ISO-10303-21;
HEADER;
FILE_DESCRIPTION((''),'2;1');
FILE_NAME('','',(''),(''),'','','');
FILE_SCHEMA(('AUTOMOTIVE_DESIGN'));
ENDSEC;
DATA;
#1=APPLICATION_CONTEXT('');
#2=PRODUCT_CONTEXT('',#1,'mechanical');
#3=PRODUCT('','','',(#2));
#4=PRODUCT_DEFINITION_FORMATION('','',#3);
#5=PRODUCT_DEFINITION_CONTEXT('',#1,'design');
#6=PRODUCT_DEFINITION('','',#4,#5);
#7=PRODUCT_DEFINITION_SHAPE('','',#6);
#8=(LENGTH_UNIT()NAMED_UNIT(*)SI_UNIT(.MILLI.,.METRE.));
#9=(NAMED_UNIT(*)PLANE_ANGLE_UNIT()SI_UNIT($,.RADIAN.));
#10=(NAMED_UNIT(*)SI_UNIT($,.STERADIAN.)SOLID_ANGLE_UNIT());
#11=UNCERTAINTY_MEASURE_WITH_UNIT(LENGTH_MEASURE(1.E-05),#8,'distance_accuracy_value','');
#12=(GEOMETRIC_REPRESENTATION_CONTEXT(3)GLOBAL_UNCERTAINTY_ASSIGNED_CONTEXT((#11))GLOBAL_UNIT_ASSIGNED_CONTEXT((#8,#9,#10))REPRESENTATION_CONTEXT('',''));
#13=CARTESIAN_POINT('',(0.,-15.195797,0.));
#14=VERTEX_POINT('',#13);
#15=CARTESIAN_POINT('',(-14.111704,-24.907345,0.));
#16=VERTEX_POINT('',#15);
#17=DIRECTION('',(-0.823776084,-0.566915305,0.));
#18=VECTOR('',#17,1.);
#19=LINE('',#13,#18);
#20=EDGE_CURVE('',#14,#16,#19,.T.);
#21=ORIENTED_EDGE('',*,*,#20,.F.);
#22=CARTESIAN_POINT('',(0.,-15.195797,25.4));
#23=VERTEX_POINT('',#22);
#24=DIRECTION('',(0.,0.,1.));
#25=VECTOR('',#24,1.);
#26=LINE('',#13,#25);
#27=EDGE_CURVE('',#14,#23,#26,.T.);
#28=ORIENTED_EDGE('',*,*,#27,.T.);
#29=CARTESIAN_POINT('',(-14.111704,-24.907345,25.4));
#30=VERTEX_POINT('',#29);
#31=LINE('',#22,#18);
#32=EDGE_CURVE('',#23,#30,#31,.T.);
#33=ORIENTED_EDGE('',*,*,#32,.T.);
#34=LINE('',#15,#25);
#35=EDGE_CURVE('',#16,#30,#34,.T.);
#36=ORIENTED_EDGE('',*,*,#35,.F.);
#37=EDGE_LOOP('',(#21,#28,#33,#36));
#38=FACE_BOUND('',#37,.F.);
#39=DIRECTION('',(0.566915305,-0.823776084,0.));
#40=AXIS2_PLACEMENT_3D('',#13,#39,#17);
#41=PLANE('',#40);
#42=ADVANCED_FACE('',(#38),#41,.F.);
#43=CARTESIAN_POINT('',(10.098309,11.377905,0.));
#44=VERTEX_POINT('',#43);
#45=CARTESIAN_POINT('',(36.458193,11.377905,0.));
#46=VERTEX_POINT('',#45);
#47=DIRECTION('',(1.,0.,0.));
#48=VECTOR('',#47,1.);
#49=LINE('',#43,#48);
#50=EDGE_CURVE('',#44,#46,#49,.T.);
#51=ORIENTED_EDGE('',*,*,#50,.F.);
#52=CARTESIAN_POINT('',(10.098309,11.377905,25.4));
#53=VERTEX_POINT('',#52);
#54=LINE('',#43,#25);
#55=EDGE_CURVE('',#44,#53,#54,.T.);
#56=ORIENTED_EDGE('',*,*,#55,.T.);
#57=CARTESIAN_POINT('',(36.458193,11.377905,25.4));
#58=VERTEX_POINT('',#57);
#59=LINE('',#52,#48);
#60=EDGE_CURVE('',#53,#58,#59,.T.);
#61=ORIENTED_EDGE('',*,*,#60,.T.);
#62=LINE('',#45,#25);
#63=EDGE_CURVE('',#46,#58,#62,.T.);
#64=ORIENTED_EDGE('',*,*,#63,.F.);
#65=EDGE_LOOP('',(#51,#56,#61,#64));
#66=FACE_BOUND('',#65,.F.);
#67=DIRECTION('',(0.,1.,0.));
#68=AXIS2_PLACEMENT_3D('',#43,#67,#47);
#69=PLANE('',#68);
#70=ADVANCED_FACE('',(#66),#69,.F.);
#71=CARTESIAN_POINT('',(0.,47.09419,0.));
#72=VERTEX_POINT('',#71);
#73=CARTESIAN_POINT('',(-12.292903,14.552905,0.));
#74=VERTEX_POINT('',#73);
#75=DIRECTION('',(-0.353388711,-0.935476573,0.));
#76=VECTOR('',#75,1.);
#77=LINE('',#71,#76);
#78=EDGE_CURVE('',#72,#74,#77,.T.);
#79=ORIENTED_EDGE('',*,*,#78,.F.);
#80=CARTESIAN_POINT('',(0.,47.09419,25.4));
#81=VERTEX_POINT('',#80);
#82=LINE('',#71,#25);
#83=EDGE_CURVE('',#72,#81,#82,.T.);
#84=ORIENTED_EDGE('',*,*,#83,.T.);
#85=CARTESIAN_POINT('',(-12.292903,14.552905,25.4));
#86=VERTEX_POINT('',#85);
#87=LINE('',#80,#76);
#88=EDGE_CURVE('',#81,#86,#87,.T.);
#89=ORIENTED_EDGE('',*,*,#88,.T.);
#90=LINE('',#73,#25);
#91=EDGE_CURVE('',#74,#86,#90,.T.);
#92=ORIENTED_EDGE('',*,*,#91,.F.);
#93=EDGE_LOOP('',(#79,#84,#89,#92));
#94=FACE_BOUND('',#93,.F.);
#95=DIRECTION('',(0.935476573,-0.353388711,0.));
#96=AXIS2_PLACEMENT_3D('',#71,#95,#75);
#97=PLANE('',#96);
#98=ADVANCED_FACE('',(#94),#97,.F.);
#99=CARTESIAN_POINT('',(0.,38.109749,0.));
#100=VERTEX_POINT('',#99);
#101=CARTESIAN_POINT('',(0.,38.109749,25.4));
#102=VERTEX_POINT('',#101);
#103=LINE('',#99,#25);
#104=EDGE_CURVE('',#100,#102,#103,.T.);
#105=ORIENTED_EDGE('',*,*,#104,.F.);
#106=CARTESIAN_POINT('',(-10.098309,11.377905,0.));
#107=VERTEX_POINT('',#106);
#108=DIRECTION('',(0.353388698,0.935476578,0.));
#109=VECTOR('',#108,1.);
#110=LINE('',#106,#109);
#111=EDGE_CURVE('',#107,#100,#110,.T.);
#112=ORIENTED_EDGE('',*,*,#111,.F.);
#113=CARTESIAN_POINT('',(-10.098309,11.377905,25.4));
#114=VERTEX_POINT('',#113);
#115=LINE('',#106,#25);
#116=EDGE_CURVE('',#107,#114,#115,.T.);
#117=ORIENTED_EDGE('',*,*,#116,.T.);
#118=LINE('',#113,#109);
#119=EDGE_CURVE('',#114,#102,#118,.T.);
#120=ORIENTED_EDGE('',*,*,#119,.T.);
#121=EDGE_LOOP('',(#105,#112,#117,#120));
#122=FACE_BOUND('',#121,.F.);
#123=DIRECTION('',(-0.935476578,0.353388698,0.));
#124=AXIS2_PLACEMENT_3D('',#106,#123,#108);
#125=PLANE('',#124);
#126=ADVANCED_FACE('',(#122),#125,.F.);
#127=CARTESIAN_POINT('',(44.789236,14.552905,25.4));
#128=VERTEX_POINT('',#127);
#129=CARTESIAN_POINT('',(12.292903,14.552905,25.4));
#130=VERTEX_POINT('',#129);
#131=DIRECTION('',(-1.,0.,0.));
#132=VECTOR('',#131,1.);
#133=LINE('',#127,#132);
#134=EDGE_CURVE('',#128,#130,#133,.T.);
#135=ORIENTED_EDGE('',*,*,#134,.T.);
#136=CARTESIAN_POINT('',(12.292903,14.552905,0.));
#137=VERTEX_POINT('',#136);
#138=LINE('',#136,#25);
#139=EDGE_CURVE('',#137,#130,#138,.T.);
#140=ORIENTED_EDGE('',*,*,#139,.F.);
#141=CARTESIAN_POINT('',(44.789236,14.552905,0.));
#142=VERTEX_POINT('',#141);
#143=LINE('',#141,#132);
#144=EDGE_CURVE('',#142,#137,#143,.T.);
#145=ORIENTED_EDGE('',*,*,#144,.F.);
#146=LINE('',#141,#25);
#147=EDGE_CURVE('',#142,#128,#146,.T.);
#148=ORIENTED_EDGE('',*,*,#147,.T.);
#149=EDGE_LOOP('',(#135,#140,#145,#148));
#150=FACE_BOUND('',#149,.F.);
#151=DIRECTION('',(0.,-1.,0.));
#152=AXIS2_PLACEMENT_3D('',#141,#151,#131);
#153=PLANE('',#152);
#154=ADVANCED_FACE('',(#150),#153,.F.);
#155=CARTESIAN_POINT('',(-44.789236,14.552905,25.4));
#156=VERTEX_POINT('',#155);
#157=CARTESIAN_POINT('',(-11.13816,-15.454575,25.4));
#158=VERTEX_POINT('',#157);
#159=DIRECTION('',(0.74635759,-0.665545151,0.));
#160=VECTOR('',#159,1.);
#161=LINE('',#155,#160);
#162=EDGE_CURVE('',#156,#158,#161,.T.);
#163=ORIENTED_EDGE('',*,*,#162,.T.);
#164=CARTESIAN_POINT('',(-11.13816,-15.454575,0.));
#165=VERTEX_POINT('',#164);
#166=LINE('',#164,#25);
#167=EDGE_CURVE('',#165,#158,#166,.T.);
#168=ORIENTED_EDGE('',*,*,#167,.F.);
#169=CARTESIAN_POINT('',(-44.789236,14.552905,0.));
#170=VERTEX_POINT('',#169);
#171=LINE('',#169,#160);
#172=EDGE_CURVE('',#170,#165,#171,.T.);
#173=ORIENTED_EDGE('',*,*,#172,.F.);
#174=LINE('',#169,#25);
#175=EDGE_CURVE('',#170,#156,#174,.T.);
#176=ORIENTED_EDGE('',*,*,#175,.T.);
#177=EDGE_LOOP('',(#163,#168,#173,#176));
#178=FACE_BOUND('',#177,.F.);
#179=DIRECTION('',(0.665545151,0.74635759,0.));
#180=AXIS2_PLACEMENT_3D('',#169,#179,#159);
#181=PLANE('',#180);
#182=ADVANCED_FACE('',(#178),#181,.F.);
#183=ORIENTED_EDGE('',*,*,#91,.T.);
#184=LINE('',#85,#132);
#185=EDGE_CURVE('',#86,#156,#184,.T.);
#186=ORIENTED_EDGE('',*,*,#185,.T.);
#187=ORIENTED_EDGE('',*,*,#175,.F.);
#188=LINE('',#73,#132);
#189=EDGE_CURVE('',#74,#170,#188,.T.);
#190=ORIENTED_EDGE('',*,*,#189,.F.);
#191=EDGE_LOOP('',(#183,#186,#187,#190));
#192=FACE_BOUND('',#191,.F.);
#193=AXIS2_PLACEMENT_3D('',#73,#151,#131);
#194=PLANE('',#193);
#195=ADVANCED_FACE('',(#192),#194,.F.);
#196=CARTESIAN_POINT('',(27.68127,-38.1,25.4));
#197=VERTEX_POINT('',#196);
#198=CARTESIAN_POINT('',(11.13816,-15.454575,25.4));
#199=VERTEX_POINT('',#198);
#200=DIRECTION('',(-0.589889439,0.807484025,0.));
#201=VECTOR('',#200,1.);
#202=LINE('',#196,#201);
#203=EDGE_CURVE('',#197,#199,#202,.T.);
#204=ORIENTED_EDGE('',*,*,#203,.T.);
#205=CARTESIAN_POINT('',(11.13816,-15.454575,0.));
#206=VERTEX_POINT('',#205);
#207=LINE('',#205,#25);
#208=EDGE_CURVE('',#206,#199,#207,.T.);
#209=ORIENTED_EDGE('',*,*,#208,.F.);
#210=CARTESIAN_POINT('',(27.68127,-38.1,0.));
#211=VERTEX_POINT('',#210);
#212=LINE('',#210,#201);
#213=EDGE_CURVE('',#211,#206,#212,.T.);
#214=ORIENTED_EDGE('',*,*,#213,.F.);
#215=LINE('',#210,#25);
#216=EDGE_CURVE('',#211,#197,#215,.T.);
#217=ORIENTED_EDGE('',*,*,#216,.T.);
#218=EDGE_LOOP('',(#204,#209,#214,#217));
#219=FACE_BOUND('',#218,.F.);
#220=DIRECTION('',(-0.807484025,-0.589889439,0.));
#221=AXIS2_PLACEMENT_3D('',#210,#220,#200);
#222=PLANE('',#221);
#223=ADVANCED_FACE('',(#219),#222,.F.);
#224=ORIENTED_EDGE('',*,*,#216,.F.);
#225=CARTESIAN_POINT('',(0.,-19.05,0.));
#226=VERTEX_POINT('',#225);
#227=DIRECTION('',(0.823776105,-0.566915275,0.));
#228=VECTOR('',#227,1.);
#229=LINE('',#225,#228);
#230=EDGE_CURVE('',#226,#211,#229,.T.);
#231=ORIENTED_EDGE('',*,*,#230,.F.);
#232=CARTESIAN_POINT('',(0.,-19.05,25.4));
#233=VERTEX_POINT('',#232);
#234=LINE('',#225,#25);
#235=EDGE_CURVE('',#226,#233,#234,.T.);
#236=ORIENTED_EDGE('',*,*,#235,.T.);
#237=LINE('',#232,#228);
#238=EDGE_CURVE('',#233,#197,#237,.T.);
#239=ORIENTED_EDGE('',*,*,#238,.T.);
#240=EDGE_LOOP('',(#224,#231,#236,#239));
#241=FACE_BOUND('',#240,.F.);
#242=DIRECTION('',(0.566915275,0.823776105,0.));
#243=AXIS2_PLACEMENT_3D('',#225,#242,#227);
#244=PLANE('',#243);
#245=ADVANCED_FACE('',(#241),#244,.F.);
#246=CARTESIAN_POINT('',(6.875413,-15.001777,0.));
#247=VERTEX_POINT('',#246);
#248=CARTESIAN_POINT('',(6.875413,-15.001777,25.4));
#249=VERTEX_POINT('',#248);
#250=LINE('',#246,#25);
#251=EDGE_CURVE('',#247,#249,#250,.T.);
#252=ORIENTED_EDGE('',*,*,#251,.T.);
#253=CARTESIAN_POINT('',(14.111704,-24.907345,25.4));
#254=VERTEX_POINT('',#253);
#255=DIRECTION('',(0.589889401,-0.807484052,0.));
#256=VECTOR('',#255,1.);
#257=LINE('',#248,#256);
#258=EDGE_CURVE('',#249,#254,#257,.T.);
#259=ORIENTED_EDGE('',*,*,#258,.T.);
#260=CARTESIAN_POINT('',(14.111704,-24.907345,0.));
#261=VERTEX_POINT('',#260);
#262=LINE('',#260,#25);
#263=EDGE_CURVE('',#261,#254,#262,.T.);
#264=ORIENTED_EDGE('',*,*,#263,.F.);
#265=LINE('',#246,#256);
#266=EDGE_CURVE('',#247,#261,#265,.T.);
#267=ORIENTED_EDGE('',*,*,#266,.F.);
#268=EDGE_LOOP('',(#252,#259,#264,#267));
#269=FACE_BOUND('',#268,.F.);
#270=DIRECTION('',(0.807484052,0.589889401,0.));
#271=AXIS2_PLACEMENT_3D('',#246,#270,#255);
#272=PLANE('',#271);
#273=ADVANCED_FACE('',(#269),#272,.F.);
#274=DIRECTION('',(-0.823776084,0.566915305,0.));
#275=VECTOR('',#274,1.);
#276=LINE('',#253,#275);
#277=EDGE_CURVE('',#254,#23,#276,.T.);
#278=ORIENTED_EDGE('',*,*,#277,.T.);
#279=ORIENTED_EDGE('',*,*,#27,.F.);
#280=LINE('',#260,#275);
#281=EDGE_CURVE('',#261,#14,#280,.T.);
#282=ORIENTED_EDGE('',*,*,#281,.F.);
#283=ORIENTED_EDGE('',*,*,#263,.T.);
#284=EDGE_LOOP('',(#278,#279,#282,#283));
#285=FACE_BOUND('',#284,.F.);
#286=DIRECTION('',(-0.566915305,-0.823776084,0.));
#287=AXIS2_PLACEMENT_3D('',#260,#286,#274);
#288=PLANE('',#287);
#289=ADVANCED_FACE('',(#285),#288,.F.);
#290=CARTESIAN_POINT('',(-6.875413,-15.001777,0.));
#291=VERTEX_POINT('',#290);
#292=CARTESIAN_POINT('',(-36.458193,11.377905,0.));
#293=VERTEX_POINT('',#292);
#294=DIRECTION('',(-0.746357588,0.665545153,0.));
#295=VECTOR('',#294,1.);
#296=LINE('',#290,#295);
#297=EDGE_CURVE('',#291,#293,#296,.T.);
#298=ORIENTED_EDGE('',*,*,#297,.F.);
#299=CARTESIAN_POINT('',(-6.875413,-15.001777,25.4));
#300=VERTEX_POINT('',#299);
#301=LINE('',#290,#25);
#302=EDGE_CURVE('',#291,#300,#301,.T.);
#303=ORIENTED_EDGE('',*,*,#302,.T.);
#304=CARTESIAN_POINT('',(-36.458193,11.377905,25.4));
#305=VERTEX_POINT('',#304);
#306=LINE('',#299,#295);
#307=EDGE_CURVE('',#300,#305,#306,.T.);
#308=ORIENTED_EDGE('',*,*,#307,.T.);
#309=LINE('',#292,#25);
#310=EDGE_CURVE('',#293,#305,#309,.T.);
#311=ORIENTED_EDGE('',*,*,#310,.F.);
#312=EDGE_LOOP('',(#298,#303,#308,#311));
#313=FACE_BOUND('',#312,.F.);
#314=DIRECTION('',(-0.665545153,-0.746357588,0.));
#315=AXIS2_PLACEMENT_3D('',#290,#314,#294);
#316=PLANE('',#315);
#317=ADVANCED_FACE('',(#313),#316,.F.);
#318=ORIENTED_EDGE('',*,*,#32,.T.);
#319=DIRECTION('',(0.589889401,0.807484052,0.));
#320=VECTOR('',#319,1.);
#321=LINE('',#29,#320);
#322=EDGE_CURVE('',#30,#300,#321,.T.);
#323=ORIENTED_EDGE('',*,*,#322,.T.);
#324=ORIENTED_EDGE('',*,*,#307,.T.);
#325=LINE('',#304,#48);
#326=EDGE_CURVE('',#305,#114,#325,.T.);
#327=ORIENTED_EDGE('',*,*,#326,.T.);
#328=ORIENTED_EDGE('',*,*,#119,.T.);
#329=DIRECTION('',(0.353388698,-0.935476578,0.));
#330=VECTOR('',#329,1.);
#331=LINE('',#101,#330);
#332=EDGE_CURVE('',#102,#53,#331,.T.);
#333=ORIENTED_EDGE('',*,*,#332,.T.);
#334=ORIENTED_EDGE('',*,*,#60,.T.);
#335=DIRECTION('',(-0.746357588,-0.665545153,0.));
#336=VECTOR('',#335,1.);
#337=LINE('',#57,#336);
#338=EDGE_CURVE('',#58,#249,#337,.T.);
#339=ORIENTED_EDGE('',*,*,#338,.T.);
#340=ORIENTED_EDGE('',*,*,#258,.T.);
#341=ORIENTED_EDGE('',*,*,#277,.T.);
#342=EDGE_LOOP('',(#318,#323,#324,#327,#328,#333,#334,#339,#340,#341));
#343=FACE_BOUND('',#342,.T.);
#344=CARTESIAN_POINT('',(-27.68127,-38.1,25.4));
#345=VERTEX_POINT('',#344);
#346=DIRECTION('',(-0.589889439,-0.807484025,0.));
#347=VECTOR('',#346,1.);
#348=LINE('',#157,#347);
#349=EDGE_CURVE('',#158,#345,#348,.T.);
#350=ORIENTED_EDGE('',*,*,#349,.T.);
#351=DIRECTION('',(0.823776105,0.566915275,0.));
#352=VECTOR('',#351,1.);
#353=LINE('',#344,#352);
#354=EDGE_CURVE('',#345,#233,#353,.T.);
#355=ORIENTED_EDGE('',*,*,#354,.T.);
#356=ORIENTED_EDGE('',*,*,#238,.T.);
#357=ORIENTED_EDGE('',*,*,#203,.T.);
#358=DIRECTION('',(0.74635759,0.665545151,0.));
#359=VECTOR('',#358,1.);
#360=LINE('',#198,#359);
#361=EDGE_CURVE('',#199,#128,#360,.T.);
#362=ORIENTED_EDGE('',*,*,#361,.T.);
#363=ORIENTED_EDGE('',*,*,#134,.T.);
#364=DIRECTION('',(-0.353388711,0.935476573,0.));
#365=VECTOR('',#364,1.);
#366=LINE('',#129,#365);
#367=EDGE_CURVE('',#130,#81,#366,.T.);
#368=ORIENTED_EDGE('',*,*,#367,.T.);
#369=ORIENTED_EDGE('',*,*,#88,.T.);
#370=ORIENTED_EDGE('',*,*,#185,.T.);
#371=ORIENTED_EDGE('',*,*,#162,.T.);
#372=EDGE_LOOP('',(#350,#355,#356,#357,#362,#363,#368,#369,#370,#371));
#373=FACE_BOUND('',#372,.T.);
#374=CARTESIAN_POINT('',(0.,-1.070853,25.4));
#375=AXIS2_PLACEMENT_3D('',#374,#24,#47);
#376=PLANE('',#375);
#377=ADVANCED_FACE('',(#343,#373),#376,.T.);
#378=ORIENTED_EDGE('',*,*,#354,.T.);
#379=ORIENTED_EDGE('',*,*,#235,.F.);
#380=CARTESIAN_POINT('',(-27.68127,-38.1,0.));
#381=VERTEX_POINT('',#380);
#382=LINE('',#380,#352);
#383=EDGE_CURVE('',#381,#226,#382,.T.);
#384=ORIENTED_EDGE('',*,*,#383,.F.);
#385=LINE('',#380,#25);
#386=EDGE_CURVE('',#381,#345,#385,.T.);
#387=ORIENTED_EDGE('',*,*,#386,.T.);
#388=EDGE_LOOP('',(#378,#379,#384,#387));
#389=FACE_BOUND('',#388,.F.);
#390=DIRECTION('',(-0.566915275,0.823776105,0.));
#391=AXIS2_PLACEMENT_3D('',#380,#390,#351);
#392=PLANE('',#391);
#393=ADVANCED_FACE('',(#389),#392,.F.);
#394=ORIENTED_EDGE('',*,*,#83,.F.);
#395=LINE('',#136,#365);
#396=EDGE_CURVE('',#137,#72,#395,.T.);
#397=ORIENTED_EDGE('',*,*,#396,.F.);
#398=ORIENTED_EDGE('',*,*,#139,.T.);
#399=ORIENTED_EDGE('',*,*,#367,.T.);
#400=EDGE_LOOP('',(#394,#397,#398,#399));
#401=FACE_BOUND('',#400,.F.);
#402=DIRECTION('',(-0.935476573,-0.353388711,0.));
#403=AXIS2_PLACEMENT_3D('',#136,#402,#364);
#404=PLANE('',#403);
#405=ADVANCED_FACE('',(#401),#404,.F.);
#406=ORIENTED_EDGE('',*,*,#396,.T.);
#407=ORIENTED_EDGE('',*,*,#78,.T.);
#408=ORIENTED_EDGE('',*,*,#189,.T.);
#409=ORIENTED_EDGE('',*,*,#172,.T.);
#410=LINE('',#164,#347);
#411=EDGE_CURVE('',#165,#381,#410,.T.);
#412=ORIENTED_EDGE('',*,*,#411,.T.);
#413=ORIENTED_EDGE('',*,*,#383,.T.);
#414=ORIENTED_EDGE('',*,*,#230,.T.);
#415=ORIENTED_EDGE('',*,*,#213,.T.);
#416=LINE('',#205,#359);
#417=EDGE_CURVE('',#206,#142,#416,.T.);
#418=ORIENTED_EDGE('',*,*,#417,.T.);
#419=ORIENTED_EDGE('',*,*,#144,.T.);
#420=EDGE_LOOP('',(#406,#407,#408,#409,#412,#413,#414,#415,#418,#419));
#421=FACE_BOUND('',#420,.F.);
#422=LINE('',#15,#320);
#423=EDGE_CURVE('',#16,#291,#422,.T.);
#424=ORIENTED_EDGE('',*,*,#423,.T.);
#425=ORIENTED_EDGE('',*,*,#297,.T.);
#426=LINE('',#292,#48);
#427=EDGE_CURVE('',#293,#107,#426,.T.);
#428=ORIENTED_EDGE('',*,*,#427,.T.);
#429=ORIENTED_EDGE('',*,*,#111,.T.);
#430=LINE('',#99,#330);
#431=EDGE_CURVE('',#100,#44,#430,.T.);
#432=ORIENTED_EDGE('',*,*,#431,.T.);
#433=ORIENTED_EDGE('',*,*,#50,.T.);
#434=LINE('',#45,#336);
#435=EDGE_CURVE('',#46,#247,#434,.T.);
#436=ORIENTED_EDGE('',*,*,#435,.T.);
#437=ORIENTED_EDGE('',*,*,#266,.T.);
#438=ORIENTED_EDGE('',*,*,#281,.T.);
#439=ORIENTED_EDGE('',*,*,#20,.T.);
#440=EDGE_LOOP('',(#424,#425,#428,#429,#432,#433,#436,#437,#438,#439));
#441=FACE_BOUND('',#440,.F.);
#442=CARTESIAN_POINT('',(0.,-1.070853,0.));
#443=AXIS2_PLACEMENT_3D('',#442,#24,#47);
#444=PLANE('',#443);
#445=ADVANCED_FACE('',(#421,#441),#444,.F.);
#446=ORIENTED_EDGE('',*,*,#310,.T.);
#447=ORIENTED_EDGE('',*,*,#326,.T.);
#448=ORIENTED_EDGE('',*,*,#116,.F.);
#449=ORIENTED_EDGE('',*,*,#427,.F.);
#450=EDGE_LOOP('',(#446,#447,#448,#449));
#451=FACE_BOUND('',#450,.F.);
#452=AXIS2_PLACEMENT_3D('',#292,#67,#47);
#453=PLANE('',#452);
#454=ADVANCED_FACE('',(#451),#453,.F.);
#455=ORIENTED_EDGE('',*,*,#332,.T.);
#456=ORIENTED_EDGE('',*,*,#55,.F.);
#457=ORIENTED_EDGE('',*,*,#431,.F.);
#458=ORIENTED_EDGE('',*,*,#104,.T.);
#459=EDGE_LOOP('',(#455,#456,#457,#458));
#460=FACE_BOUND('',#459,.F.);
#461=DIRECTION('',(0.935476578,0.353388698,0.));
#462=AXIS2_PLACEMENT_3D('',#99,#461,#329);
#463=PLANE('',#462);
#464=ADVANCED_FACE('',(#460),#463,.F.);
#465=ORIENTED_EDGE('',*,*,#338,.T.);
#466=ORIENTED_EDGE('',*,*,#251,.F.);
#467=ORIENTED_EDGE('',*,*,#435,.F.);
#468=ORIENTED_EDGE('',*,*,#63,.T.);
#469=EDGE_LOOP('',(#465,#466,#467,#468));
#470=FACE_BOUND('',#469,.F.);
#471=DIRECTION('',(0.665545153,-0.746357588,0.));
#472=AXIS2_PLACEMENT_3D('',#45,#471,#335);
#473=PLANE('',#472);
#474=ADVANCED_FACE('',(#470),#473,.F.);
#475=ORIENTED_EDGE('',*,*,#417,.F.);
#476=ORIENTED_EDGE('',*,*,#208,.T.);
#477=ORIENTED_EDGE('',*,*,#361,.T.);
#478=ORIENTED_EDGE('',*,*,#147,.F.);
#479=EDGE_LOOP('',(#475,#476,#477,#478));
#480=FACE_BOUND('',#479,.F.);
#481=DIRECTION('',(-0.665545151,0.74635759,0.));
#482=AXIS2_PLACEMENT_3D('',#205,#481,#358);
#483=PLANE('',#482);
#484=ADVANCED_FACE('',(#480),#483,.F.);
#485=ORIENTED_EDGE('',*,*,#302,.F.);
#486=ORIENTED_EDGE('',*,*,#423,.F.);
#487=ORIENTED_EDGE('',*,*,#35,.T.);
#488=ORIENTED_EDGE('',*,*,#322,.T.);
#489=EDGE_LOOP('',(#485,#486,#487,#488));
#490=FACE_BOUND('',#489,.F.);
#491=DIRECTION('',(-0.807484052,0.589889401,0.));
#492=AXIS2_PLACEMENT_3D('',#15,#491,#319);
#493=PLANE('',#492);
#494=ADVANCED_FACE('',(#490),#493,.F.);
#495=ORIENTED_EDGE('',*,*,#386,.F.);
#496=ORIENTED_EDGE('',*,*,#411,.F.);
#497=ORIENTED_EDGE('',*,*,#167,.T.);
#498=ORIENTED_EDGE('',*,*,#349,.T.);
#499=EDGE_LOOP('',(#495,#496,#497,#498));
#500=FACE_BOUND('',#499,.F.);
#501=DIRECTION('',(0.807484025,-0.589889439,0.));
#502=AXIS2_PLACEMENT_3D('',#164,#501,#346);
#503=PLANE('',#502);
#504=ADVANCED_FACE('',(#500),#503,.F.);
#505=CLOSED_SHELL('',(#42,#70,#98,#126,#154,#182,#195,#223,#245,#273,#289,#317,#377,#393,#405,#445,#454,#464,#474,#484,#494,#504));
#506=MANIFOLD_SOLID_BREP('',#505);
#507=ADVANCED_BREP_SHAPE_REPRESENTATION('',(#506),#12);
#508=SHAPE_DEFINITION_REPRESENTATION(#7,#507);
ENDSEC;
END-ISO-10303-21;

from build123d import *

# Parameters (mm, degrees)
F1_DEPTH = 25.4


with BuildPart() as f1:
    # F0 (on Top) → F1 (new body)
    with BuildSketch(Plane.XY):
        Polygon((-11.13816, -15.454575), (-27.68127, -38.1), (0, -19.05), (27.68127, -38.1), (11.13816, -15.454575), (44.789236, 14.552905), (12.292903, 14.552905), (0, 47.09419), (-12.292903, 14.552905), (-44.789236, 14.552905), align=None)
        Polygon((-36.458193, 11.377905), (-10.098309, 11.377905), (0, 38.109749), (10.098309, 11.377905), (36.458193, 11.377905), (6.875413, -15.001777), (14.111704, -24.907345), (0, -15.195797), (-14.111704, -24.907345), (-6.875413, -15.001777), align=None, mode=Mode.SUBTRACT)
    extrude(amount=F1_DEPTH)


solid = f1.part
